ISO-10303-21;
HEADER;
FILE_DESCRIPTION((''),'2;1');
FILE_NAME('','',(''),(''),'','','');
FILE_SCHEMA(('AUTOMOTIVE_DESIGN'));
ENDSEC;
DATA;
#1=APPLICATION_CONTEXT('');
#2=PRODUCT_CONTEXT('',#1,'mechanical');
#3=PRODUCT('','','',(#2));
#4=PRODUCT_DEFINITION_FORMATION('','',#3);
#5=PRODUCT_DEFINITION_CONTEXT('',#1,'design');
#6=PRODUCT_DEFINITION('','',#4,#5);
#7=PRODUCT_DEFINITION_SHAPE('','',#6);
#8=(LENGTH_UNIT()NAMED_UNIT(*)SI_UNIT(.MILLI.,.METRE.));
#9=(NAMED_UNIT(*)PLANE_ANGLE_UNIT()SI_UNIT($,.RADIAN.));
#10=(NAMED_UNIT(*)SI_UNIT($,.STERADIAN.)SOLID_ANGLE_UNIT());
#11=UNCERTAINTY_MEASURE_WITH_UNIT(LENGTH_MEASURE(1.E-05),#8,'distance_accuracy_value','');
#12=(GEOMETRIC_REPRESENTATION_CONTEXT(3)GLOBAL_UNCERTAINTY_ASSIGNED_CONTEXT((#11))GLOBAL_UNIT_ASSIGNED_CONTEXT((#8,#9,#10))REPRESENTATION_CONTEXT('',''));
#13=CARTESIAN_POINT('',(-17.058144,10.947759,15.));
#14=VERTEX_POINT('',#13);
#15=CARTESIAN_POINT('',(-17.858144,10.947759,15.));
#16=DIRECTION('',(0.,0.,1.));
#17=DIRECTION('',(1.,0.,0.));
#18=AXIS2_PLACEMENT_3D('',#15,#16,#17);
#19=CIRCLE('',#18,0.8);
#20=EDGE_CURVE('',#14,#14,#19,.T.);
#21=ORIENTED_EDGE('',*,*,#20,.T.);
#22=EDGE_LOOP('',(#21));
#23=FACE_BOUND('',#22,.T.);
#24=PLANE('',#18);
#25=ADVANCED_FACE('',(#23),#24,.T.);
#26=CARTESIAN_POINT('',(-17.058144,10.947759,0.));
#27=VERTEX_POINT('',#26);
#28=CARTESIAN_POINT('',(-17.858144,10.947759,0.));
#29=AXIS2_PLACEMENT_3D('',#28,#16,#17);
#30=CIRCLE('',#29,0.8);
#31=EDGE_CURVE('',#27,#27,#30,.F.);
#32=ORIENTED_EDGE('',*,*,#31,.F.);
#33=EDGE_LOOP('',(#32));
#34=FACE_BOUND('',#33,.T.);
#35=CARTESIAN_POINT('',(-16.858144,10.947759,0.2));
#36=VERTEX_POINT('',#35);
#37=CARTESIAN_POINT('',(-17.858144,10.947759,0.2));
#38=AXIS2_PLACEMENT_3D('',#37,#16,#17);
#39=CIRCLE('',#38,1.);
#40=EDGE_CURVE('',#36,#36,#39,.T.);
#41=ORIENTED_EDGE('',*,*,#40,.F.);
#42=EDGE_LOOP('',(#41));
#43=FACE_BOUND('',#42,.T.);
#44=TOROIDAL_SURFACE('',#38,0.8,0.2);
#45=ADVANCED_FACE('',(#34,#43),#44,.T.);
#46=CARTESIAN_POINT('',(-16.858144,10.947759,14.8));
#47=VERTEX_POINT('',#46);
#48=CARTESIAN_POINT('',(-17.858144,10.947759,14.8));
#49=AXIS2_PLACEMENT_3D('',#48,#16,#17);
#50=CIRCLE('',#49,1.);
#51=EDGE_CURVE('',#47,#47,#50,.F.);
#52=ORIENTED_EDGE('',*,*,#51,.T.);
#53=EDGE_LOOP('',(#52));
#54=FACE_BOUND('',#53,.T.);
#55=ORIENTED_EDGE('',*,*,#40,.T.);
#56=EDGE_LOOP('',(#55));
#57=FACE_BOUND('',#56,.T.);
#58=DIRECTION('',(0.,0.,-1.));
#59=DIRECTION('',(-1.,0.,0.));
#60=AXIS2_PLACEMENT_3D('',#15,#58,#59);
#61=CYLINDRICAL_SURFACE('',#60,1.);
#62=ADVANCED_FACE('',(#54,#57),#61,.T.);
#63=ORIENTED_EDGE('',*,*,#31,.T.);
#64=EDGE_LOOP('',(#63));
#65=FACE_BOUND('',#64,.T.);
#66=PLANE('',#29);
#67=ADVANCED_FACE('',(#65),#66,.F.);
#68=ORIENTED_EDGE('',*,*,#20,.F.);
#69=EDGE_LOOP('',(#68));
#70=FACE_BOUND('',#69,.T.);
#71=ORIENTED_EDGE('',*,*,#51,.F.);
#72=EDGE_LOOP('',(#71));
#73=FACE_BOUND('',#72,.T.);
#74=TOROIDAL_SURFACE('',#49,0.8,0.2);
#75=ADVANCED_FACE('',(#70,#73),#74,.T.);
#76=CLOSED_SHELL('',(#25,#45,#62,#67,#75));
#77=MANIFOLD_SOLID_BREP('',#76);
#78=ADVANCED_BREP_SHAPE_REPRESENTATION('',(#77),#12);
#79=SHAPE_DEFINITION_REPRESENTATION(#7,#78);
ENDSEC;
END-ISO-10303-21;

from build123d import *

# Parameters (mm, degrees)
SKETCH2_R           = 1
BOSS_EXTRUDE1_DEPTH = 15
FILLET1_R           = 0.2


with BuildPart() as part:
    # Sketch2 → Boss-Extrude1 (new body)
    with BuildSketch(Plane.XY):
        with Locations((-17.858143606, 10.947759434)):
            Circle(SKETCH2_R)
    extrude(amount=BOSS_EXTRUDE1_DEPTH)

    # Fillet1
    fillet1_edges = [part.edges().sort_by_distance(p)[0] for p in [
        (-18.858143606, 10.947759434, 0),
        (-18.858143606, 10.947759434, 15),
    ]]
    fillet(fillet1_edges, radius=FILLET1_R)


solid = part.part
